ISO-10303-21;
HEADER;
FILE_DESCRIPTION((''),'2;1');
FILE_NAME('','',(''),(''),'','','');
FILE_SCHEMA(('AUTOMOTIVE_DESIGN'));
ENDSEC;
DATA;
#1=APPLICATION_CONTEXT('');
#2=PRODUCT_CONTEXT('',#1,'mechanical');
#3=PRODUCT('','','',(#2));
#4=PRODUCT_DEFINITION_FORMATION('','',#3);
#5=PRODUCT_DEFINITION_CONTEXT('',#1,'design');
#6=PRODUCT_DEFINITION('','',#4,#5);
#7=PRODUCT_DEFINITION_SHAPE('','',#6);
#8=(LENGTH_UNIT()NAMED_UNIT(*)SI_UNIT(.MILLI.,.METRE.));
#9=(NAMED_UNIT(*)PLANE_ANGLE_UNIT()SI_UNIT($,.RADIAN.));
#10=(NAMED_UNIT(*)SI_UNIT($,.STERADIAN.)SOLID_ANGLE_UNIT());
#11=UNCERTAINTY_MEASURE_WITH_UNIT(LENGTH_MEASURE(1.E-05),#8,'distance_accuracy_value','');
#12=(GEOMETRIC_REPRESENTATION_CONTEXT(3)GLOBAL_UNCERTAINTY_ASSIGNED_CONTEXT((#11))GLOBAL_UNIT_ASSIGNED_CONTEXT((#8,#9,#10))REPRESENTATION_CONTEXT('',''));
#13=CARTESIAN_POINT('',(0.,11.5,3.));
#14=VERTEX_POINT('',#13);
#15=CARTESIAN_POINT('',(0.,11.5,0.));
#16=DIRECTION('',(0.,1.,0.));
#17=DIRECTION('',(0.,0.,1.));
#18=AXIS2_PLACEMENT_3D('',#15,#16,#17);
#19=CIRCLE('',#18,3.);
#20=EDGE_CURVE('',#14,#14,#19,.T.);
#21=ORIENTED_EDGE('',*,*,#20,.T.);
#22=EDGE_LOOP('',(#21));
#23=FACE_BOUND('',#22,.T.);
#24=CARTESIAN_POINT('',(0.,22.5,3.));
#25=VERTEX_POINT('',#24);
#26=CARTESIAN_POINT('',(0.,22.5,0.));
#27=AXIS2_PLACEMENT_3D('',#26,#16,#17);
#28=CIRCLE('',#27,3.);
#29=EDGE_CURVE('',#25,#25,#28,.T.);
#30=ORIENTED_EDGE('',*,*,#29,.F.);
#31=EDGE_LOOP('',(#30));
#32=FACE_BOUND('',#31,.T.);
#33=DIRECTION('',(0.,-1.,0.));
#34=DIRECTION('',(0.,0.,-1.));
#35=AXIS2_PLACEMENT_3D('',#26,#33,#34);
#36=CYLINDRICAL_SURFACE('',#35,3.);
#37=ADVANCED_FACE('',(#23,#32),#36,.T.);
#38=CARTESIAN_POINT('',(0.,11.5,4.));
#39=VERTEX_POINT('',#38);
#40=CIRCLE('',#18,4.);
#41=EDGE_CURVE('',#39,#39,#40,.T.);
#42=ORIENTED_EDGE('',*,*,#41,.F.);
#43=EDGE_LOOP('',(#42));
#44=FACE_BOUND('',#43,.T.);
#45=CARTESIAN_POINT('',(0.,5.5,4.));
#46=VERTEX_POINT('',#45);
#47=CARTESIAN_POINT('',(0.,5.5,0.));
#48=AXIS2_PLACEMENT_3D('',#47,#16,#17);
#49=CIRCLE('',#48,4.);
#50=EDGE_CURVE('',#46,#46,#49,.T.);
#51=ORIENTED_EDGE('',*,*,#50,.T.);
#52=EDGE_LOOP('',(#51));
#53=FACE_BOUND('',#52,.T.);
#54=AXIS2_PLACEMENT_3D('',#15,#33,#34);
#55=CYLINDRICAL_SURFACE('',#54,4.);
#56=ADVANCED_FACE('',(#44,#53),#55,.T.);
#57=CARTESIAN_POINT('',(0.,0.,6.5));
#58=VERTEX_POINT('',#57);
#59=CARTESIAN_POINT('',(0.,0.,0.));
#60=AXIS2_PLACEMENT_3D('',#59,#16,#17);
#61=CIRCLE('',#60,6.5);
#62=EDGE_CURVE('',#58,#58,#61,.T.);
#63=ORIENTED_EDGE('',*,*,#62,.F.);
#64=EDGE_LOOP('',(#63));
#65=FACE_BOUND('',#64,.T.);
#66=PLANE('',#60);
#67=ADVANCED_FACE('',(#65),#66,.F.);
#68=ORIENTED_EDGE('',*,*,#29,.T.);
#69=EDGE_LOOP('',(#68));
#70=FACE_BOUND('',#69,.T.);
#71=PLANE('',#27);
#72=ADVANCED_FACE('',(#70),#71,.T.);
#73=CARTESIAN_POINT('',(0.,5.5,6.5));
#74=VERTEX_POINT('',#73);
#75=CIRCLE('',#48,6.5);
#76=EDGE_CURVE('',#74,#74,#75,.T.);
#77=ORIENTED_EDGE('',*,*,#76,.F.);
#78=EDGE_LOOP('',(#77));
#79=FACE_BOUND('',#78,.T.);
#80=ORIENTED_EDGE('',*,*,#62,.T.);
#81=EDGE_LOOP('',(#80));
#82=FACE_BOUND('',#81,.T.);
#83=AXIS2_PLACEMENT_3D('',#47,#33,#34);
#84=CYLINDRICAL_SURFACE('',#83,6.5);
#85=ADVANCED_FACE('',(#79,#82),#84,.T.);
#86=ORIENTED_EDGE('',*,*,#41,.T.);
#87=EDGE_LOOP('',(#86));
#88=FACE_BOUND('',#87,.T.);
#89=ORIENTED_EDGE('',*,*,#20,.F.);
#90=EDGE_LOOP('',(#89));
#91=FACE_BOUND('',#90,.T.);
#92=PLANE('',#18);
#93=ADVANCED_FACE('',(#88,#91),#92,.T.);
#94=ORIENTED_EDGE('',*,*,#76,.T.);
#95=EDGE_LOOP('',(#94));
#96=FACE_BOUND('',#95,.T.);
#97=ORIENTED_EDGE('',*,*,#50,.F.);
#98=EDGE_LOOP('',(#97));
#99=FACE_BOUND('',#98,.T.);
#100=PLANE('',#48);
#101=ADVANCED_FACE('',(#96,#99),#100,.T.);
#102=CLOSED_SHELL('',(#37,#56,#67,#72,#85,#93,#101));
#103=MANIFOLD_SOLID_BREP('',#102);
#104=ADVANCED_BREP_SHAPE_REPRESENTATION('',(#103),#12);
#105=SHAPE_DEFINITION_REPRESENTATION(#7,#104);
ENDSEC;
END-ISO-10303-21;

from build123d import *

# Parameters (mm, degrees)
SKETCH_1_R      = 6.5
EXTRUDE_1_DEPTH = 5.5
SKETCH_2_R      = 4
EXTRUDE_2_DEPTH = 6
SKETCH_3_R      = 3
EXTRUDE_3_DEPTH = 11


with BuildPart() as part:
    # 草图1 → 凸台-拉伸1 (new body)
    with BuildSketch(Plane(origin=(0, 0, 0), x_dir=(1, 0, 0), z_dir=(0, 1, 0))):
        Circle(SKETCH_1_R)
    extrude(amount=EXTRUDE_1_DEPTH)

    # 草图2 → 凸台-拉伸2 (add)
    with BuildSketch(Plane(origin=(0, 5.5, 0), x_dir=(1, 0, 0), z_dir=(0, 1, 0))):
        Circle(SKETCH_2_R)
    extrude(amount=EXTRUDE_2_DEPTH)

    # 草图3 → 凸台-拉伸3 (add)
    with BuildSketch(Plane(origin=(0, 11.5, 0), x_dir=(1, 0, 0), z_dir=(0, 1, 0))):
        Circle(SKETCH_3_R)
    extrude(amount=EXTRUDE_3_DEPTH)


solid = part.part
